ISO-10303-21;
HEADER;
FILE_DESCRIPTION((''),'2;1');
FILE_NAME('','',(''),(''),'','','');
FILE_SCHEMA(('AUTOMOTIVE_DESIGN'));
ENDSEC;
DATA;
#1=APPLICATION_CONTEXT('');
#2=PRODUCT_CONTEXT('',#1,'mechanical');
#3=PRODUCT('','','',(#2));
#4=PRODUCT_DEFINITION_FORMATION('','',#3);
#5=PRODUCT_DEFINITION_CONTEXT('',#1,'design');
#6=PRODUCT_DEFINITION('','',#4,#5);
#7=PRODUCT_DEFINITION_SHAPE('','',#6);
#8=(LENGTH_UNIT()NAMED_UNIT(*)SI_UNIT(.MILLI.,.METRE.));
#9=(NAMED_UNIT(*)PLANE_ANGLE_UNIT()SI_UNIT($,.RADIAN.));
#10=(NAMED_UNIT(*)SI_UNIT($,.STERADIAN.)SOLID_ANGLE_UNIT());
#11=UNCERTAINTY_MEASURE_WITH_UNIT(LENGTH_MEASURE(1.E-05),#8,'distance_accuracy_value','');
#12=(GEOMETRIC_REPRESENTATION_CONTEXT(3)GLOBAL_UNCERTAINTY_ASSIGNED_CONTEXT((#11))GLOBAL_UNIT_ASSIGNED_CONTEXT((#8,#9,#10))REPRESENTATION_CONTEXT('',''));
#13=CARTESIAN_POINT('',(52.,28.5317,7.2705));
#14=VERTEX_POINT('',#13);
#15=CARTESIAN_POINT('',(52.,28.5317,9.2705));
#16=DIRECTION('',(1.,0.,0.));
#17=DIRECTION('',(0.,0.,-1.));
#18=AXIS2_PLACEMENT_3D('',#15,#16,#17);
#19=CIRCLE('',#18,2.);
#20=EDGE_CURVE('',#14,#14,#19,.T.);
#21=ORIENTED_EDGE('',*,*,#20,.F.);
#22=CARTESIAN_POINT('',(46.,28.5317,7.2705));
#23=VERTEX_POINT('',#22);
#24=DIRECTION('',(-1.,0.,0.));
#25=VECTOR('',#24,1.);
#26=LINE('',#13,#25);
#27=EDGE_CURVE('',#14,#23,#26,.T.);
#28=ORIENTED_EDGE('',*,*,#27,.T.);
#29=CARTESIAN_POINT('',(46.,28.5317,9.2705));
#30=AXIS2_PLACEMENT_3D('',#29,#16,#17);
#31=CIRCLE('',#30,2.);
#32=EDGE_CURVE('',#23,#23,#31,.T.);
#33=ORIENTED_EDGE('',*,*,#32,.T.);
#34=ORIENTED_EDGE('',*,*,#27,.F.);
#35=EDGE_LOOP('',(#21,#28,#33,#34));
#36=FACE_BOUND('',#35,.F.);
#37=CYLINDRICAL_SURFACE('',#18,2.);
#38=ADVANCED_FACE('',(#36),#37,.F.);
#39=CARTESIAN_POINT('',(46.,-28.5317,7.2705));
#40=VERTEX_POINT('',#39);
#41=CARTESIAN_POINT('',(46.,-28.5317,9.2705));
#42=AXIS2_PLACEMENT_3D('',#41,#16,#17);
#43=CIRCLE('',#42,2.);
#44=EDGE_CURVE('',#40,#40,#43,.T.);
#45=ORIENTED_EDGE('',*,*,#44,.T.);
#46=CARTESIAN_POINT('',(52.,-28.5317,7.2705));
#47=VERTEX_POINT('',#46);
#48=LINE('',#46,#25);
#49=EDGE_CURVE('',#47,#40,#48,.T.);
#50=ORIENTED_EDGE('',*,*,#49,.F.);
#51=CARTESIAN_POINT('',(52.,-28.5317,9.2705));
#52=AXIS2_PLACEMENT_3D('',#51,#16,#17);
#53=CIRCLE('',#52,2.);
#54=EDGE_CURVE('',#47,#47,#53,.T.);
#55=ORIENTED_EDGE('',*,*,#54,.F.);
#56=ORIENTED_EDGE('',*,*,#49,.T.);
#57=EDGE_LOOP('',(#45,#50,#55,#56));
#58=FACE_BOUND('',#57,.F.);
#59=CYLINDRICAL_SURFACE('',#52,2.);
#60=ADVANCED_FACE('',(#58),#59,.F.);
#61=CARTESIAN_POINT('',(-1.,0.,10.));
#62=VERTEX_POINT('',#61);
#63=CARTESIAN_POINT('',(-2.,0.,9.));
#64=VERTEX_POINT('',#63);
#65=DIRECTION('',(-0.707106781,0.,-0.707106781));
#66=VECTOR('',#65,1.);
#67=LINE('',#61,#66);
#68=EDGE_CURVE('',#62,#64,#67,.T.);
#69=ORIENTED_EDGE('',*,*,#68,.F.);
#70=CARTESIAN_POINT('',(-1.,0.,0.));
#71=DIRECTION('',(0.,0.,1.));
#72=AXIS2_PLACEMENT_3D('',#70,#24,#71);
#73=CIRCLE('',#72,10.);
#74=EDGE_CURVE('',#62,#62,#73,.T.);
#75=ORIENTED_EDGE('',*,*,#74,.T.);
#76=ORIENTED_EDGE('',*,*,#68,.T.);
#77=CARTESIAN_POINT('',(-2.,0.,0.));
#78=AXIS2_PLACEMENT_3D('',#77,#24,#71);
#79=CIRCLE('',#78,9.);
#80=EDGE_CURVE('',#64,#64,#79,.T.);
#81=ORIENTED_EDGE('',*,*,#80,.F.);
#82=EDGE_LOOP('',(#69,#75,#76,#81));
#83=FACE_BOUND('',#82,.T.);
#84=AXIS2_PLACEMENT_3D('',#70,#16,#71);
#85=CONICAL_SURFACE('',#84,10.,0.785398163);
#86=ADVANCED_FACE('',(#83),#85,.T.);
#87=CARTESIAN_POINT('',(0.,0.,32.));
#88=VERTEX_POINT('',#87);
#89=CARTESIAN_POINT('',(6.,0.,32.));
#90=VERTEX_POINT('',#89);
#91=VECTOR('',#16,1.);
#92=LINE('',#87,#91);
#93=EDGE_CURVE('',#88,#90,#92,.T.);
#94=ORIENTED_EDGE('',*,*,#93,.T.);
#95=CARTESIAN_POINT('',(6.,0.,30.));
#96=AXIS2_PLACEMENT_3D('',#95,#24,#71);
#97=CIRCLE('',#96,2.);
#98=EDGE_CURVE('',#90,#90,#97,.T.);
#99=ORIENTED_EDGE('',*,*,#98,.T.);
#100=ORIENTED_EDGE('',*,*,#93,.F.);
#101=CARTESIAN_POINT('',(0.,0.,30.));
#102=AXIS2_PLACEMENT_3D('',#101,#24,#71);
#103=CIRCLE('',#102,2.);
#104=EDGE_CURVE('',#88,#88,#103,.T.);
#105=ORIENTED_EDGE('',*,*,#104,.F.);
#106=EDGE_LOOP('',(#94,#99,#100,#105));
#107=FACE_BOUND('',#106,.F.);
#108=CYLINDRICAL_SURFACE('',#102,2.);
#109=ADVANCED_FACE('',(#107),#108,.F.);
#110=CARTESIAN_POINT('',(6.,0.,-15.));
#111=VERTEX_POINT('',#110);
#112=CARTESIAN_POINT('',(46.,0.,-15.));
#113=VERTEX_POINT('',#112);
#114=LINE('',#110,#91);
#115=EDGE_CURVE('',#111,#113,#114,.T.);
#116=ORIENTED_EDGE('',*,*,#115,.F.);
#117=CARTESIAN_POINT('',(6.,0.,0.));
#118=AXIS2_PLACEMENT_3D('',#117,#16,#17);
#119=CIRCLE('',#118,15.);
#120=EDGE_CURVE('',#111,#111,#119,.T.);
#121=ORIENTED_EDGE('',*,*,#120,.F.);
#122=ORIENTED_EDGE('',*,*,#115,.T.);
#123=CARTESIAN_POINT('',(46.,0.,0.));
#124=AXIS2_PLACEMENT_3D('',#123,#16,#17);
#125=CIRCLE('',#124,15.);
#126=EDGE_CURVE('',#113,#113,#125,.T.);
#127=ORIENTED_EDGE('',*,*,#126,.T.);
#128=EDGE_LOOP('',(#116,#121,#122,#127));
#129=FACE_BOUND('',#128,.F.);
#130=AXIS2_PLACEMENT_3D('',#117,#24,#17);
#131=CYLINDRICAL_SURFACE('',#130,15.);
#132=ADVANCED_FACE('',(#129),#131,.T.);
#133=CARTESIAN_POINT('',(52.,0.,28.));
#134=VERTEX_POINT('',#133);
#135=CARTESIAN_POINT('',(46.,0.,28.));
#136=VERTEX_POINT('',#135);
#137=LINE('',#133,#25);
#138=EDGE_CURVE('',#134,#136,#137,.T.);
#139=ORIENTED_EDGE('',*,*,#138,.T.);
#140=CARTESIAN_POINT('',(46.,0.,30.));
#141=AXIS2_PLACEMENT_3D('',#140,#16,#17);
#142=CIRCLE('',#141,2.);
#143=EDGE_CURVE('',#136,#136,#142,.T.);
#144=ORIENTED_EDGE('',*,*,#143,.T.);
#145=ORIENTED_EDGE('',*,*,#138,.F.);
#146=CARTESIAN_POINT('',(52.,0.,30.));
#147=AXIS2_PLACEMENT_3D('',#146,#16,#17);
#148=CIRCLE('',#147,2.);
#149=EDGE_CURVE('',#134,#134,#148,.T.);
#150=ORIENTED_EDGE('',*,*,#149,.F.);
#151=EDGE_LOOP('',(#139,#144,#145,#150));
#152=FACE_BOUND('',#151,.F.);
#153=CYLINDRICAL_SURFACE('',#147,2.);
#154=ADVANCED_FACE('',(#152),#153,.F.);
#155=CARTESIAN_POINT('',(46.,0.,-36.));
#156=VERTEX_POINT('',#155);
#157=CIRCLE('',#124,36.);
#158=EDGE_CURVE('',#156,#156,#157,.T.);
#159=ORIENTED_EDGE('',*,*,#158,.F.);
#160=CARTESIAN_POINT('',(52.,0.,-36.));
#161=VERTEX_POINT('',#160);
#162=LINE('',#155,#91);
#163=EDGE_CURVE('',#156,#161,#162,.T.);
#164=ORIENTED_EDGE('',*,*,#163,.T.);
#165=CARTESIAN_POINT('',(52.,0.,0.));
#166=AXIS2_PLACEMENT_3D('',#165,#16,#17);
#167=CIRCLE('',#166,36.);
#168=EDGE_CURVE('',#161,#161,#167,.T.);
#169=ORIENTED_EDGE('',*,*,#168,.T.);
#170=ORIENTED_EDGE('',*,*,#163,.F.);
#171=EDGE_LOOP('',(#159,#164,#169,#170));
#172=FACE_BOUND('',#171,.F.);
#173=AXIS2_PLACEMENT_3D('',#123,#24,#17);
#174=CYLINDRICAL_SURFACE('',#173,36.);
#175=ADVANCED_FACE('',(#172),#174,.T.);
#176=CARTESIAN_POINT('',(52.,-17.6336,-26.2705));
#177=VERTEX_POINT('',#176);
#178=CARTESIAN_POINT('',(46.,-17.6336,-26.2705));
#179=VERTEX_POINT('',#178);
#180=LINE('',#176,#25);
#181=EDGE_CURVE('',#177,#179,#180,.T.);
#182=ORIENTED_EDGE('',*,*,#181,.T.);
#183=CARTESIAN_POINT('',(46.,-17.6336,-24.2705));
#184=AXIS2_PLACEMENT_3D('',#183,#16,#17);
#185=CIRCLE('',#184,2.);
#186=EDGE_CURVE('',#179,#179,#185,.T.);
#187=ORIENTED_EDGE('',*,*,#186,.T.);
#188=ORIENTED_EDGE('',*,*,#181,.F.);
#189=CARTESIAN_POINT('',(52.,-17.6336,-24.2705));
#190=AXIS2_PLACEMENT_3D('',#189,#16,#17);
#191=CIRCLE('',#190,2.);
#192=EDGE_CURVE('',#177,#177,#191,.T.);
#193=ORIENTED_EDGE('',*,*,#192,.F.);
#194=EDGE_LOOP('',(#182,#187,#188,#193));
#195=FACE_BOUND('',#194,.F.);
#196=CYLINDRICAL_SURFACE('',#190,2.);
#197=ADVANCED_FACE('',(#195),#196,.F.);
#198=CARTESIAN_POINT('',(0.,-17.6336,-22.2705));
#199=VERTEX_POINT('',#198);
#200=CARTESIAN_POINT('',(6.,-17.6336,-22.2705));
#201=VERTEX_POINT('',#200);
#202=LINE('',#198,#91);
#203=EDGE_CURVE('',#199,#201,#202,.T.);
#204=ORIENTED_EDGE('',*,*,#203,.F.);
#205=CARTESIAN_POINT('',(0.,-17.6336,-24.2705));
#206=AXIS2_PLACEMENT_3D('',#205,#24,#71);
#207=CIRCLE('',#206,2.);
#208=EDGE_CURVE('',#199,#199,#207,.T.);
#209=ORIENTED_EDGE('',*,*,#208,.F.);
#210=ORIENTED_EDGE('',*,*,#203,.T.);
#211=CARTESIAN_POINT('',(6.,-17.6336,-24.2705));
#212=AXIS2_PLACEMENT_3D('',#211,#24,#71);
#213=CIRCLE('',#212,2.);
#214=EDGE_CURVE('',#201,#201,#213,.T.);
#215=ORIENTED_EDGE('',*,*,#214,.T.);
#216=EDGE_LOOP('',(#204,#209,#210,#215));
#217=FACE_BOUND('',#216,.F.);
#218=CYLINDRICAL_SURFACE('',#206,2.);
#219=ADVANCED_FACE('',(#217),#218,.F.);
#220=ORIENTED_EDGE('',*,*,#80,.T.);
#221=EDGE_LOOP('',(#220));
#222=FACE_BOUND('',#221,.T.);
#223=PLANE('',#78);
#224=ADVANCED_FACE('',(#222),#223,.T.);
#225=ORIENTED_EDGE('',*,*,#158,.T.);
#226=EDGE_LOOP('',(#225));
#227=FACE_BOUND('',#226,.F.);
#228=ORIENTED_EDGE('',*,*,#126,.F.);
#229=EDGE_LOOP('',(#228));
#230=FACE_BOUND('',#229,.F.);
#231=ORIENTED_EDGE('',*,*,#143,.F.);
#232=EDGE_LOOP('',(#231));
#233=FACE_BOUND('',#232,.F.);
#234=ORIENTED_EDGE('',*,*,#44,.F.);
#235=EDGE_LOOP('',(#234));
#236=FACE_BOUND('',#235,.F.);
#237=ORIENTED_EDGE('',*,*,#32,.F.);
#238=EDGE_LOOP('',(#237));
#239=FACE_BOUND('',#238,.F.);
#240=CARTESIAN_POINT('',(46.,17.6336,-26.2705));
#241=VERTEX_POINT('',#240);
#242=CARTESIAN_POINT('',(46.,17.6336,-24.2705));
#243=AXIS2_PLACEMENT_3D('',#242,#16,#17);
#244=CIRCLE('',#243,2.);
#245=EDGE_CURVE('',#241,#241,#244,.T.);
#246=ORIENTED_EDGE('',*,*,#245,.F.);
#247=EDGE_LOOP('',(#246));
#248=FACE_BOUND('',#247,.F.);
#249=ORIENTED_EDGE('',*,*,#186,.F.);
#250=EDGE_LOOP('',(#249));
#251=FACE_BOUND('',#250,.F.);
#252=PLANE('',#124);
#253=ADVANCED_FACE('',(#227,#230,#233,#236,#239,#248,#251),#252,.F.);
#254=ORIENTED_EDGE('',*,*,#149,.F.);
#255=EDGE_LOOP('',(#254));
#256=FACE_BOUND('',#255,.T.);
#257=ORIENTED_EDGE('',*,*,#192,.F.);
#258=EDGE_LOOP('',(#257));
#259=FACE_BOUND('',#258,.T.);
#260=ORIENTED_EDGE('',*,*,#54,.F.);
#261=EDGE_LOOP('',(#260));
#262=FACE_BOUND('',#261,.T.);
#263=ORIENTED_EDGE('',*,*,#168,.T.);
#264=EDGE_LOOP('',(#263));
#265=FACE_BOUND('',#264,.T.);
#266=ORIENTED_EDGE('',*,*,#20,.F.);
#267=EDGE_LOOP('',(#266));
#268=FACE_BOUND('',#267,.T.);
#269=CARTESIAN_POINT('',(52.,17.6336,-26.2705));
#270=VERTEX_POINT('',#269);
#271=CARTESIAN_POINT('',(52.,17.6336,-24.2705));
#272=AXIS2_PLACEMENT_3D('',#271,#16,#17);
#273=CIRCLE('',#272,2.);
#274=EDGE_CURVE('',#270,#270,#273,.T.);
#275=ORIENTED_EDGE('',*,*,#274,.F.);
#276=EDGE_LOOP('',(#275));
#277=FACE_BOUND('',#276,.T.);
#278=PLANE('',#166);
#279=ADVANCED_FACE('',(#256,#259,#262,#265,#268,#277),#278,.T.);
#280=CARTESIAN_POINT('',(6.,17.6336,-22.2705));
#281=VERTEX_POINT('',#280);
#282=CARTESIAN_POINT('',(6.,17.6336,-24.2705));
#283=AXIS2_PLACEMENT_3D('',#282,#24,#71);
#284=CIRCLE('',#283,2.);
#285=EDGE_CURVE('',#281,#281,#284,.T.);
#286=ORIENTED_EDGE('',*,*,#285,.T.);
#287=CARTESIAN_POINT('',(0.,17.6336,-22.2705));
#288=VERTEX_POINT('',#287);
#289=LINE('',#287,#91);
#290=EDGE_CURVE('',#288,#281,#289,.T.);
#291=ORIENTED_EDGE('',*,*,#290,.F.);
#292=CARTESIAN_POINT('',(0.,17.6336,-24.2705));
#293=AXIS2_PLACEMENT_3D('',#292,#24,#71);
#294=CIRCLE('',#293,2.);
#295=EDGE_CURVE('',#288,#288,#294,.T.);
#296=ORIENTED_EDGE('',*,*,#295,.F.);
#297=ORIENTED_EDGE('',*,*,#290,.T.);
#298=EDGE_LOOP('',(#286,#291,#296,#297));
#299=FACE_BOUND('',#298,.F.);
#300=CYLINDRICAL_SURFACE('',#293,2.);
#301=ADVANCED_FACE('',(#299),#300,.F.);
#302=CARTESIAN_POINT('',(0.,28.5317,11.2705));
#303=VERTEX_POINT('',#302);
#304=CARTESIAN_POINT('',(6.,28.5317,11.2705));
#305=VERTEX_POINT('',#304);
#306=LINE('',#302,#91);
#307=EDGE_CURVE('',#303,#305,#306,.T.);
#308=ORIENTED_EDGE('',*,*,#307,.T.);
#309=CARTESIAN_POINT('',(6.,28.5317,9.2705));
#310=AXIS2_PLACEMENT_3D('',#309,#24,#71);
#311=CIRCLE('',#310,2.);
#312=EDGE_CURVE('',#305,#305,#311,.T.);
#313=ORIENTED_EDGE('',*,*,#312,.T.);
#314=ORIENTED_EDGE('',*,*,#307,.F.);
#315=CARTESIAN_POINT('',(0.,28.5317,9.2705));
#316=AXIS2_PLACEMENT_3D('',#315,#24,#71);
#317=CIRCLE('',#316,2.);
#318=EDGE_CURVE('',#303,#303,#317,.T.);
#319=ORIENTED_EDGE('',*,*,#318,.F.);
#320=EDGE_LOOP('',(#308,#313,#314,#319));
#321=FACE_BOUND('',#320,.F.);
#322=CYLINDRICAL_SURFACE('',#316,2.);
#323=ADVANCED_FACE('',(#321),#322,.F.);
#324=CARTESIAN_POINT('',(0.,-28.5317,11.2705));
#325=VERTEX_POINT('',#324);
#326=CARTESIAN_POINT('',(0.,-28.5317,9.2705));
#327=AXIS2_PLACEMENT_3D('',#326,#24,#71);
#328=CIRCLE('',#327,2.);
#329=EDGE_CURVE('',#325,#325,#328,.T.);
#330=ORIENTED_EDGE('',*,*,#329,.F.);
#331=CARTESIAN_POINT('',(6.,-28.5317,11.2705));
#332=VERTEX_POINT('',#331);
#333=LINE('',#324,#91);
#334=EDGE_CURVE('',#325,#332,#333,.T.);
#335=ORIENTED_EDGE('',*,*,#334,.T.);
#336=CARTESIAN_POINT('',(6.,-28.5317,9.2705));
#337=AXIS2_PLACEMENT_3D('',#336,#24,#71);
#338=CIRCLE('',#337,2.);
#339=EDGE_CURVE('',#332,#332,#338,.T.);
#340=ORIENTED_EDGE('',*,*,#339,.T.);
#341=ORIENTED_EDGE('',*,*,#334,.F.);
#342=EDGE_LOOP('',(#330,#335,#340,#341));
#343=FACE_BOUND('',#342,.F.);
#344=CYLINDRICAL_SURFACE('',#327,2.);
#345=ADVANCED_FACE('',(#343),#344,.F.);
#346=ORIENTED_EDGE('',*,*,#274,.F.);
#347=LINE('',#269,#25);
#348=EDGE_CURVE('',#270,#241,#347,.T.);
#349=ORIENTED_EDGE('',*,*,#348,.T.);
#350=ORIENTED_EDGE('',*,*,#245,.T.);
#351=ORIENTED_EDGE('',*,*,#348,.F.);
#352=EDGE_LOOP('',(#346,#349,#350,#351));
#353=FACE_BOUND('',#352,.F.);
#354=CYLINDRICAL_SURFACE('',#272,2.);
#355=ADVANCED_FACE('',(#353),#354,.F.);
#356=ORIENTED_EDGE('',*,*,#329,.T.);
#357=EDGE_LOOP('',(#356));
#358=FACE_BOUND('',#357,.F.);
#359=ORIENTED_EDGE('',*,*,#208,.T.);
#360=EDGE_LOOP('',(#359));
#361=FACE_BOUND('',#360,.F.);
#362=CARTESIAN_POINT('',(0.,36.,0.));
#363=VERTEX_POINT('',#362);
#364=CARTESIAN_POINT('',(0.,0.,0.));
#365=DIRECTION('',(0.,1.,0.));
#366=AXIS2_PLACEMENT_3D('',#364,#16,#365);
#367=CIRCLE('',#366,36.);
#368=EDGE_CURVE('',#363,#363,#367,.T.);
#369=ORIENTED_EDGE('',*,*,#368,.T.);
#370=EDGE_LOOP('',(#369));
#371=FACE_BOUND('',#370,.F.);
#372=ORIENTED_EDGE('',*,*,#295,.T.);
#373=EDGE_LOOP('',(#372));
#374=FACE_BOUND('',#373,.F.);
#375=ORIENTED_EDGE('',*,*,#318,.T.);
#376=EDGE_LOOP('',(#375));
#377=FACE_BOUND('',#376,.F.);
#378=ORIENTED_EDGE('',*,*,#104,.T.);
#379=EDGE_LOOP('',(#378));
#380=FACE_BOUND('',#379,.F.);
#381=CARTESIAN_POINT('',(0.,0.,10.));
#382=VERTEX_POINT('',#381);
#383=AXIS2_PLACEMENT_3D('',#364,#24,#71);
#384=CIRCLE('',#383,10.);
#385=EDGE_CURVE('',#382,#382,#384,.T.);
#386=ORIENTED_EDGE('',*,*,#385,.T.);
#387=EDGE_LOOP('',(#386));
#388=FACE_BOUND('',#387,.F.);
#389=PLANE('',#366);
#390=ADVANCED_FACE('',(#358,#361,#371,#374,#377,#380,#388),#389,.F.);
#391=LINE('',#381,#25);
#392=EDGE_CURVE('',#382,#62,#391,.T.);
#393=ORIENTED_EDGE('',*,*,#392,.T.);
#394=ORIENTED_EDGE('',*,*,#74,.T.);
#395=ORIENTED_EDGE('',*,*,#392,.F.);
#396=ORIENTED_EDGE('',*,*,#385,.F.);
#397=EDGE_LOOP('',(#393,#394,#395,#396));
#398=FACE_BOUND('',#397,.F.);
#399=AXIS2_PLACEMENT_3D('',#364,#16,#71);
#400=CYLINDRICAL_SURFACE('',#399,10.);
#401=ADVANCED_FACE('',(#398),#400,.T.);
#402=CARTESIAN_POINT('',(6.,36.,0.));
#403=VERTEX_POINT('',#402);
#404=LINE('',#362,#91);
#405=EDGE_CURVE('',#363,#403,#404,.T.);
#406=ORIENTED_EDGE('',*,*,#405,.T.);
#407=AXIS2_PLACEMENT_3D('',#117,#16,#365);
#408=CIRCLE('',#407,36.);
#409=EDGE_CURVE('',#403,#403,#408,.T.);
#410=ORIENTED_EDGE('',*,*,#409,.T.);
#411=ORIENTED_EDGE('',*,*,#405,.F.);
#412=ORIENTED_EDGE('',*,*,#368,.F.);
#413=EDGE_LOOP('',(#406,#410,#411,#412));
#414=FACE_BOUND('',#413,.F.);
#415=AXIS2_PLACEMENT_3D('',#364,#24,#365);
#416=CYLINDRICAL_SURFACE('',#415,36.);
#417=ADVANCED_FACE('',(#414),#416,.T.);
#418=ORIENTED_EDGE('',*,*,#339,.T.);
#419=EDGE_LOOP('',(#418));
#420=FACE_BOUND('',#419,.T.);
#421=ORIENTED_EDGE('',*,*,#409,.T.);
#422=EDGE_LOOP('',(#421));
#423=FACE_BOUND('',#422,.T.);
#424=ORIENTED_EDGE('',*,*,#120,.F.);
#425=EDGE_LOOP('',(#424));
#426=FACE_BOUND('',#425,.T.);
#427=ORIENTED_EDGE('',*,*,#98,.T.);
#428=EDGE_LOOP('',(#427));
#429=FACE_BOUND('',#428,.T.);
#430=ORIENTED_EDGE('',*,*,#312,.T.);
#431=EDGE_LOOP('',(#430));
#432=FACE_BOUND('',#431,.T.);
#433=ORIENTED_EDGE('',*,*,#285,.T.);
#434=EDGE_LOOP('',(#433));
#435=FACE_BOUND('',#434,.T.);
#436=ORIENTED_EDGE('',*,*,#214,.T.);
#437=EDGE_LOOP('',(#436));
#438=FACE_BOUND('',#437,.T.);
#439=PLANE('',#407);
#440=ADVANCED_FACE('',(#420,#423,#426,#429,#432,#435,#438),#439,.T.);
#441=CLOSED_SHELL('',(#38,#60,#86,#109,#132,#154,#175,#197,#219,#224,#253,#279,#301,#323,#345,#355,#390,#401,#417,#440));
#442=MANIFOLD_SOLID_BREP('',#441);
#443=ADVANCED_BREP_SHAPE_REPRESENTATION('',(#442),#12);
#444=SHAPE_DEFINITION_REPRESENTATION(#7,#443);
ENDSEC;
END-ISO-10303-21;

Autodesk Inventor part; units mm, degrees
ref_plane "YZ Plane" through (0, 0, 0) normal (1, 0, 0) x (0, 1, 0)
ref_plane "XZ Plane" through (0, 0, 0) normal (0, 1, 0) x (-1, 0, 0)
ref_plane "XY Plane" through (0, 0, 0) normal (0, 0, 1) x (1, 0, 0)
sketch "スケッチ1" plane through (0, 0, 0) normal (1, 0, 0) x (0, 1, 0)
  circle A0 centre (0, 0) radius 36
  dimension "d0" = 72
extrude "押し出し1" add sketch "スケッチ1" along normal blind 6
sketch "スケッチ2" plane through (6, 0, 0) normal (1, 0, 0) x (0, 0, -1)
  circle A0 centre (0, 0) radius 15
  dimension "d3" = 30
extrude "押し出し2" add sketch "スケッチ2" along normal blind 40
sketch "スケッチ3" plane through (46, 0, 0) normal (1, 0, 0) x (0, 0, -1)
  circle A0 centre (0, 0) radius 36
  dimension "d6" = 72
extrude "押し出し3" add sketch "スケッチ3" along normal blind 6
sketch "スケッチ4" plane through (0, 0, 0) normal (-1, 0, 0) x (0, 0, 1)
  circle A0 centre (30, 0) radius 2
  circle A1 centre (9.2705, 28.5317) radius 2
  circle A2 centre (-24.2705, 17.6336) radius 2
  circle A3 centre (-24.2705, -17.6336) radius 2
  circle A4 centre (9.2705, -28.5317) radius 2
  circle A5 centre (0, 0) radius 10
  dimension "d9" = 30
  dimension "d10" = 4
  dimension "d13" = 360
  dimension "d17" = 20
extrude "押し出し4" cut sketch "スケッチ4" against normal blind 6 contours A0 | A1 | A2 | A3 | A4
extrude "押し出し5" add sketch "スケッチ4" along normal blind 2 contours A5
chamfer "面取り1" distance 1 angle 45 1 edges at (-2, 0, -10)
sketch "スケッチ6" plane through (52, 0, 0) normal (1, 0, 0) x (0, 0, -1)
  circle A0 centre (24.2705, 17.6336) radius 2 projected
  circle A1 centre (24.2705, 17.6336) radius 2 projected
  circle A2 centre (-9.2705, 28.5317) radius 2 projected
  circle A3 centre (-9.2705, 28.5317) radius 2 projected
  circle A4 centre (-30, 0) radius 2 projected
  circle A5 centre (24.2705, -17.6336) radius 2 projected
  circle A6 centre (24.2705, -17.6336) radius 2 projected
  circle A7 centre (-9.2705, -28.5317) radius 2 projected
  circle A8 centre (-9.2705, -28.5317) radius 2 projected
  point P0 (0, 0)
extrude "押し出し6" cut sketch "スケッチ6" against normal blind 6
properties part number "tool_1" material "アルミニウム 6061"
